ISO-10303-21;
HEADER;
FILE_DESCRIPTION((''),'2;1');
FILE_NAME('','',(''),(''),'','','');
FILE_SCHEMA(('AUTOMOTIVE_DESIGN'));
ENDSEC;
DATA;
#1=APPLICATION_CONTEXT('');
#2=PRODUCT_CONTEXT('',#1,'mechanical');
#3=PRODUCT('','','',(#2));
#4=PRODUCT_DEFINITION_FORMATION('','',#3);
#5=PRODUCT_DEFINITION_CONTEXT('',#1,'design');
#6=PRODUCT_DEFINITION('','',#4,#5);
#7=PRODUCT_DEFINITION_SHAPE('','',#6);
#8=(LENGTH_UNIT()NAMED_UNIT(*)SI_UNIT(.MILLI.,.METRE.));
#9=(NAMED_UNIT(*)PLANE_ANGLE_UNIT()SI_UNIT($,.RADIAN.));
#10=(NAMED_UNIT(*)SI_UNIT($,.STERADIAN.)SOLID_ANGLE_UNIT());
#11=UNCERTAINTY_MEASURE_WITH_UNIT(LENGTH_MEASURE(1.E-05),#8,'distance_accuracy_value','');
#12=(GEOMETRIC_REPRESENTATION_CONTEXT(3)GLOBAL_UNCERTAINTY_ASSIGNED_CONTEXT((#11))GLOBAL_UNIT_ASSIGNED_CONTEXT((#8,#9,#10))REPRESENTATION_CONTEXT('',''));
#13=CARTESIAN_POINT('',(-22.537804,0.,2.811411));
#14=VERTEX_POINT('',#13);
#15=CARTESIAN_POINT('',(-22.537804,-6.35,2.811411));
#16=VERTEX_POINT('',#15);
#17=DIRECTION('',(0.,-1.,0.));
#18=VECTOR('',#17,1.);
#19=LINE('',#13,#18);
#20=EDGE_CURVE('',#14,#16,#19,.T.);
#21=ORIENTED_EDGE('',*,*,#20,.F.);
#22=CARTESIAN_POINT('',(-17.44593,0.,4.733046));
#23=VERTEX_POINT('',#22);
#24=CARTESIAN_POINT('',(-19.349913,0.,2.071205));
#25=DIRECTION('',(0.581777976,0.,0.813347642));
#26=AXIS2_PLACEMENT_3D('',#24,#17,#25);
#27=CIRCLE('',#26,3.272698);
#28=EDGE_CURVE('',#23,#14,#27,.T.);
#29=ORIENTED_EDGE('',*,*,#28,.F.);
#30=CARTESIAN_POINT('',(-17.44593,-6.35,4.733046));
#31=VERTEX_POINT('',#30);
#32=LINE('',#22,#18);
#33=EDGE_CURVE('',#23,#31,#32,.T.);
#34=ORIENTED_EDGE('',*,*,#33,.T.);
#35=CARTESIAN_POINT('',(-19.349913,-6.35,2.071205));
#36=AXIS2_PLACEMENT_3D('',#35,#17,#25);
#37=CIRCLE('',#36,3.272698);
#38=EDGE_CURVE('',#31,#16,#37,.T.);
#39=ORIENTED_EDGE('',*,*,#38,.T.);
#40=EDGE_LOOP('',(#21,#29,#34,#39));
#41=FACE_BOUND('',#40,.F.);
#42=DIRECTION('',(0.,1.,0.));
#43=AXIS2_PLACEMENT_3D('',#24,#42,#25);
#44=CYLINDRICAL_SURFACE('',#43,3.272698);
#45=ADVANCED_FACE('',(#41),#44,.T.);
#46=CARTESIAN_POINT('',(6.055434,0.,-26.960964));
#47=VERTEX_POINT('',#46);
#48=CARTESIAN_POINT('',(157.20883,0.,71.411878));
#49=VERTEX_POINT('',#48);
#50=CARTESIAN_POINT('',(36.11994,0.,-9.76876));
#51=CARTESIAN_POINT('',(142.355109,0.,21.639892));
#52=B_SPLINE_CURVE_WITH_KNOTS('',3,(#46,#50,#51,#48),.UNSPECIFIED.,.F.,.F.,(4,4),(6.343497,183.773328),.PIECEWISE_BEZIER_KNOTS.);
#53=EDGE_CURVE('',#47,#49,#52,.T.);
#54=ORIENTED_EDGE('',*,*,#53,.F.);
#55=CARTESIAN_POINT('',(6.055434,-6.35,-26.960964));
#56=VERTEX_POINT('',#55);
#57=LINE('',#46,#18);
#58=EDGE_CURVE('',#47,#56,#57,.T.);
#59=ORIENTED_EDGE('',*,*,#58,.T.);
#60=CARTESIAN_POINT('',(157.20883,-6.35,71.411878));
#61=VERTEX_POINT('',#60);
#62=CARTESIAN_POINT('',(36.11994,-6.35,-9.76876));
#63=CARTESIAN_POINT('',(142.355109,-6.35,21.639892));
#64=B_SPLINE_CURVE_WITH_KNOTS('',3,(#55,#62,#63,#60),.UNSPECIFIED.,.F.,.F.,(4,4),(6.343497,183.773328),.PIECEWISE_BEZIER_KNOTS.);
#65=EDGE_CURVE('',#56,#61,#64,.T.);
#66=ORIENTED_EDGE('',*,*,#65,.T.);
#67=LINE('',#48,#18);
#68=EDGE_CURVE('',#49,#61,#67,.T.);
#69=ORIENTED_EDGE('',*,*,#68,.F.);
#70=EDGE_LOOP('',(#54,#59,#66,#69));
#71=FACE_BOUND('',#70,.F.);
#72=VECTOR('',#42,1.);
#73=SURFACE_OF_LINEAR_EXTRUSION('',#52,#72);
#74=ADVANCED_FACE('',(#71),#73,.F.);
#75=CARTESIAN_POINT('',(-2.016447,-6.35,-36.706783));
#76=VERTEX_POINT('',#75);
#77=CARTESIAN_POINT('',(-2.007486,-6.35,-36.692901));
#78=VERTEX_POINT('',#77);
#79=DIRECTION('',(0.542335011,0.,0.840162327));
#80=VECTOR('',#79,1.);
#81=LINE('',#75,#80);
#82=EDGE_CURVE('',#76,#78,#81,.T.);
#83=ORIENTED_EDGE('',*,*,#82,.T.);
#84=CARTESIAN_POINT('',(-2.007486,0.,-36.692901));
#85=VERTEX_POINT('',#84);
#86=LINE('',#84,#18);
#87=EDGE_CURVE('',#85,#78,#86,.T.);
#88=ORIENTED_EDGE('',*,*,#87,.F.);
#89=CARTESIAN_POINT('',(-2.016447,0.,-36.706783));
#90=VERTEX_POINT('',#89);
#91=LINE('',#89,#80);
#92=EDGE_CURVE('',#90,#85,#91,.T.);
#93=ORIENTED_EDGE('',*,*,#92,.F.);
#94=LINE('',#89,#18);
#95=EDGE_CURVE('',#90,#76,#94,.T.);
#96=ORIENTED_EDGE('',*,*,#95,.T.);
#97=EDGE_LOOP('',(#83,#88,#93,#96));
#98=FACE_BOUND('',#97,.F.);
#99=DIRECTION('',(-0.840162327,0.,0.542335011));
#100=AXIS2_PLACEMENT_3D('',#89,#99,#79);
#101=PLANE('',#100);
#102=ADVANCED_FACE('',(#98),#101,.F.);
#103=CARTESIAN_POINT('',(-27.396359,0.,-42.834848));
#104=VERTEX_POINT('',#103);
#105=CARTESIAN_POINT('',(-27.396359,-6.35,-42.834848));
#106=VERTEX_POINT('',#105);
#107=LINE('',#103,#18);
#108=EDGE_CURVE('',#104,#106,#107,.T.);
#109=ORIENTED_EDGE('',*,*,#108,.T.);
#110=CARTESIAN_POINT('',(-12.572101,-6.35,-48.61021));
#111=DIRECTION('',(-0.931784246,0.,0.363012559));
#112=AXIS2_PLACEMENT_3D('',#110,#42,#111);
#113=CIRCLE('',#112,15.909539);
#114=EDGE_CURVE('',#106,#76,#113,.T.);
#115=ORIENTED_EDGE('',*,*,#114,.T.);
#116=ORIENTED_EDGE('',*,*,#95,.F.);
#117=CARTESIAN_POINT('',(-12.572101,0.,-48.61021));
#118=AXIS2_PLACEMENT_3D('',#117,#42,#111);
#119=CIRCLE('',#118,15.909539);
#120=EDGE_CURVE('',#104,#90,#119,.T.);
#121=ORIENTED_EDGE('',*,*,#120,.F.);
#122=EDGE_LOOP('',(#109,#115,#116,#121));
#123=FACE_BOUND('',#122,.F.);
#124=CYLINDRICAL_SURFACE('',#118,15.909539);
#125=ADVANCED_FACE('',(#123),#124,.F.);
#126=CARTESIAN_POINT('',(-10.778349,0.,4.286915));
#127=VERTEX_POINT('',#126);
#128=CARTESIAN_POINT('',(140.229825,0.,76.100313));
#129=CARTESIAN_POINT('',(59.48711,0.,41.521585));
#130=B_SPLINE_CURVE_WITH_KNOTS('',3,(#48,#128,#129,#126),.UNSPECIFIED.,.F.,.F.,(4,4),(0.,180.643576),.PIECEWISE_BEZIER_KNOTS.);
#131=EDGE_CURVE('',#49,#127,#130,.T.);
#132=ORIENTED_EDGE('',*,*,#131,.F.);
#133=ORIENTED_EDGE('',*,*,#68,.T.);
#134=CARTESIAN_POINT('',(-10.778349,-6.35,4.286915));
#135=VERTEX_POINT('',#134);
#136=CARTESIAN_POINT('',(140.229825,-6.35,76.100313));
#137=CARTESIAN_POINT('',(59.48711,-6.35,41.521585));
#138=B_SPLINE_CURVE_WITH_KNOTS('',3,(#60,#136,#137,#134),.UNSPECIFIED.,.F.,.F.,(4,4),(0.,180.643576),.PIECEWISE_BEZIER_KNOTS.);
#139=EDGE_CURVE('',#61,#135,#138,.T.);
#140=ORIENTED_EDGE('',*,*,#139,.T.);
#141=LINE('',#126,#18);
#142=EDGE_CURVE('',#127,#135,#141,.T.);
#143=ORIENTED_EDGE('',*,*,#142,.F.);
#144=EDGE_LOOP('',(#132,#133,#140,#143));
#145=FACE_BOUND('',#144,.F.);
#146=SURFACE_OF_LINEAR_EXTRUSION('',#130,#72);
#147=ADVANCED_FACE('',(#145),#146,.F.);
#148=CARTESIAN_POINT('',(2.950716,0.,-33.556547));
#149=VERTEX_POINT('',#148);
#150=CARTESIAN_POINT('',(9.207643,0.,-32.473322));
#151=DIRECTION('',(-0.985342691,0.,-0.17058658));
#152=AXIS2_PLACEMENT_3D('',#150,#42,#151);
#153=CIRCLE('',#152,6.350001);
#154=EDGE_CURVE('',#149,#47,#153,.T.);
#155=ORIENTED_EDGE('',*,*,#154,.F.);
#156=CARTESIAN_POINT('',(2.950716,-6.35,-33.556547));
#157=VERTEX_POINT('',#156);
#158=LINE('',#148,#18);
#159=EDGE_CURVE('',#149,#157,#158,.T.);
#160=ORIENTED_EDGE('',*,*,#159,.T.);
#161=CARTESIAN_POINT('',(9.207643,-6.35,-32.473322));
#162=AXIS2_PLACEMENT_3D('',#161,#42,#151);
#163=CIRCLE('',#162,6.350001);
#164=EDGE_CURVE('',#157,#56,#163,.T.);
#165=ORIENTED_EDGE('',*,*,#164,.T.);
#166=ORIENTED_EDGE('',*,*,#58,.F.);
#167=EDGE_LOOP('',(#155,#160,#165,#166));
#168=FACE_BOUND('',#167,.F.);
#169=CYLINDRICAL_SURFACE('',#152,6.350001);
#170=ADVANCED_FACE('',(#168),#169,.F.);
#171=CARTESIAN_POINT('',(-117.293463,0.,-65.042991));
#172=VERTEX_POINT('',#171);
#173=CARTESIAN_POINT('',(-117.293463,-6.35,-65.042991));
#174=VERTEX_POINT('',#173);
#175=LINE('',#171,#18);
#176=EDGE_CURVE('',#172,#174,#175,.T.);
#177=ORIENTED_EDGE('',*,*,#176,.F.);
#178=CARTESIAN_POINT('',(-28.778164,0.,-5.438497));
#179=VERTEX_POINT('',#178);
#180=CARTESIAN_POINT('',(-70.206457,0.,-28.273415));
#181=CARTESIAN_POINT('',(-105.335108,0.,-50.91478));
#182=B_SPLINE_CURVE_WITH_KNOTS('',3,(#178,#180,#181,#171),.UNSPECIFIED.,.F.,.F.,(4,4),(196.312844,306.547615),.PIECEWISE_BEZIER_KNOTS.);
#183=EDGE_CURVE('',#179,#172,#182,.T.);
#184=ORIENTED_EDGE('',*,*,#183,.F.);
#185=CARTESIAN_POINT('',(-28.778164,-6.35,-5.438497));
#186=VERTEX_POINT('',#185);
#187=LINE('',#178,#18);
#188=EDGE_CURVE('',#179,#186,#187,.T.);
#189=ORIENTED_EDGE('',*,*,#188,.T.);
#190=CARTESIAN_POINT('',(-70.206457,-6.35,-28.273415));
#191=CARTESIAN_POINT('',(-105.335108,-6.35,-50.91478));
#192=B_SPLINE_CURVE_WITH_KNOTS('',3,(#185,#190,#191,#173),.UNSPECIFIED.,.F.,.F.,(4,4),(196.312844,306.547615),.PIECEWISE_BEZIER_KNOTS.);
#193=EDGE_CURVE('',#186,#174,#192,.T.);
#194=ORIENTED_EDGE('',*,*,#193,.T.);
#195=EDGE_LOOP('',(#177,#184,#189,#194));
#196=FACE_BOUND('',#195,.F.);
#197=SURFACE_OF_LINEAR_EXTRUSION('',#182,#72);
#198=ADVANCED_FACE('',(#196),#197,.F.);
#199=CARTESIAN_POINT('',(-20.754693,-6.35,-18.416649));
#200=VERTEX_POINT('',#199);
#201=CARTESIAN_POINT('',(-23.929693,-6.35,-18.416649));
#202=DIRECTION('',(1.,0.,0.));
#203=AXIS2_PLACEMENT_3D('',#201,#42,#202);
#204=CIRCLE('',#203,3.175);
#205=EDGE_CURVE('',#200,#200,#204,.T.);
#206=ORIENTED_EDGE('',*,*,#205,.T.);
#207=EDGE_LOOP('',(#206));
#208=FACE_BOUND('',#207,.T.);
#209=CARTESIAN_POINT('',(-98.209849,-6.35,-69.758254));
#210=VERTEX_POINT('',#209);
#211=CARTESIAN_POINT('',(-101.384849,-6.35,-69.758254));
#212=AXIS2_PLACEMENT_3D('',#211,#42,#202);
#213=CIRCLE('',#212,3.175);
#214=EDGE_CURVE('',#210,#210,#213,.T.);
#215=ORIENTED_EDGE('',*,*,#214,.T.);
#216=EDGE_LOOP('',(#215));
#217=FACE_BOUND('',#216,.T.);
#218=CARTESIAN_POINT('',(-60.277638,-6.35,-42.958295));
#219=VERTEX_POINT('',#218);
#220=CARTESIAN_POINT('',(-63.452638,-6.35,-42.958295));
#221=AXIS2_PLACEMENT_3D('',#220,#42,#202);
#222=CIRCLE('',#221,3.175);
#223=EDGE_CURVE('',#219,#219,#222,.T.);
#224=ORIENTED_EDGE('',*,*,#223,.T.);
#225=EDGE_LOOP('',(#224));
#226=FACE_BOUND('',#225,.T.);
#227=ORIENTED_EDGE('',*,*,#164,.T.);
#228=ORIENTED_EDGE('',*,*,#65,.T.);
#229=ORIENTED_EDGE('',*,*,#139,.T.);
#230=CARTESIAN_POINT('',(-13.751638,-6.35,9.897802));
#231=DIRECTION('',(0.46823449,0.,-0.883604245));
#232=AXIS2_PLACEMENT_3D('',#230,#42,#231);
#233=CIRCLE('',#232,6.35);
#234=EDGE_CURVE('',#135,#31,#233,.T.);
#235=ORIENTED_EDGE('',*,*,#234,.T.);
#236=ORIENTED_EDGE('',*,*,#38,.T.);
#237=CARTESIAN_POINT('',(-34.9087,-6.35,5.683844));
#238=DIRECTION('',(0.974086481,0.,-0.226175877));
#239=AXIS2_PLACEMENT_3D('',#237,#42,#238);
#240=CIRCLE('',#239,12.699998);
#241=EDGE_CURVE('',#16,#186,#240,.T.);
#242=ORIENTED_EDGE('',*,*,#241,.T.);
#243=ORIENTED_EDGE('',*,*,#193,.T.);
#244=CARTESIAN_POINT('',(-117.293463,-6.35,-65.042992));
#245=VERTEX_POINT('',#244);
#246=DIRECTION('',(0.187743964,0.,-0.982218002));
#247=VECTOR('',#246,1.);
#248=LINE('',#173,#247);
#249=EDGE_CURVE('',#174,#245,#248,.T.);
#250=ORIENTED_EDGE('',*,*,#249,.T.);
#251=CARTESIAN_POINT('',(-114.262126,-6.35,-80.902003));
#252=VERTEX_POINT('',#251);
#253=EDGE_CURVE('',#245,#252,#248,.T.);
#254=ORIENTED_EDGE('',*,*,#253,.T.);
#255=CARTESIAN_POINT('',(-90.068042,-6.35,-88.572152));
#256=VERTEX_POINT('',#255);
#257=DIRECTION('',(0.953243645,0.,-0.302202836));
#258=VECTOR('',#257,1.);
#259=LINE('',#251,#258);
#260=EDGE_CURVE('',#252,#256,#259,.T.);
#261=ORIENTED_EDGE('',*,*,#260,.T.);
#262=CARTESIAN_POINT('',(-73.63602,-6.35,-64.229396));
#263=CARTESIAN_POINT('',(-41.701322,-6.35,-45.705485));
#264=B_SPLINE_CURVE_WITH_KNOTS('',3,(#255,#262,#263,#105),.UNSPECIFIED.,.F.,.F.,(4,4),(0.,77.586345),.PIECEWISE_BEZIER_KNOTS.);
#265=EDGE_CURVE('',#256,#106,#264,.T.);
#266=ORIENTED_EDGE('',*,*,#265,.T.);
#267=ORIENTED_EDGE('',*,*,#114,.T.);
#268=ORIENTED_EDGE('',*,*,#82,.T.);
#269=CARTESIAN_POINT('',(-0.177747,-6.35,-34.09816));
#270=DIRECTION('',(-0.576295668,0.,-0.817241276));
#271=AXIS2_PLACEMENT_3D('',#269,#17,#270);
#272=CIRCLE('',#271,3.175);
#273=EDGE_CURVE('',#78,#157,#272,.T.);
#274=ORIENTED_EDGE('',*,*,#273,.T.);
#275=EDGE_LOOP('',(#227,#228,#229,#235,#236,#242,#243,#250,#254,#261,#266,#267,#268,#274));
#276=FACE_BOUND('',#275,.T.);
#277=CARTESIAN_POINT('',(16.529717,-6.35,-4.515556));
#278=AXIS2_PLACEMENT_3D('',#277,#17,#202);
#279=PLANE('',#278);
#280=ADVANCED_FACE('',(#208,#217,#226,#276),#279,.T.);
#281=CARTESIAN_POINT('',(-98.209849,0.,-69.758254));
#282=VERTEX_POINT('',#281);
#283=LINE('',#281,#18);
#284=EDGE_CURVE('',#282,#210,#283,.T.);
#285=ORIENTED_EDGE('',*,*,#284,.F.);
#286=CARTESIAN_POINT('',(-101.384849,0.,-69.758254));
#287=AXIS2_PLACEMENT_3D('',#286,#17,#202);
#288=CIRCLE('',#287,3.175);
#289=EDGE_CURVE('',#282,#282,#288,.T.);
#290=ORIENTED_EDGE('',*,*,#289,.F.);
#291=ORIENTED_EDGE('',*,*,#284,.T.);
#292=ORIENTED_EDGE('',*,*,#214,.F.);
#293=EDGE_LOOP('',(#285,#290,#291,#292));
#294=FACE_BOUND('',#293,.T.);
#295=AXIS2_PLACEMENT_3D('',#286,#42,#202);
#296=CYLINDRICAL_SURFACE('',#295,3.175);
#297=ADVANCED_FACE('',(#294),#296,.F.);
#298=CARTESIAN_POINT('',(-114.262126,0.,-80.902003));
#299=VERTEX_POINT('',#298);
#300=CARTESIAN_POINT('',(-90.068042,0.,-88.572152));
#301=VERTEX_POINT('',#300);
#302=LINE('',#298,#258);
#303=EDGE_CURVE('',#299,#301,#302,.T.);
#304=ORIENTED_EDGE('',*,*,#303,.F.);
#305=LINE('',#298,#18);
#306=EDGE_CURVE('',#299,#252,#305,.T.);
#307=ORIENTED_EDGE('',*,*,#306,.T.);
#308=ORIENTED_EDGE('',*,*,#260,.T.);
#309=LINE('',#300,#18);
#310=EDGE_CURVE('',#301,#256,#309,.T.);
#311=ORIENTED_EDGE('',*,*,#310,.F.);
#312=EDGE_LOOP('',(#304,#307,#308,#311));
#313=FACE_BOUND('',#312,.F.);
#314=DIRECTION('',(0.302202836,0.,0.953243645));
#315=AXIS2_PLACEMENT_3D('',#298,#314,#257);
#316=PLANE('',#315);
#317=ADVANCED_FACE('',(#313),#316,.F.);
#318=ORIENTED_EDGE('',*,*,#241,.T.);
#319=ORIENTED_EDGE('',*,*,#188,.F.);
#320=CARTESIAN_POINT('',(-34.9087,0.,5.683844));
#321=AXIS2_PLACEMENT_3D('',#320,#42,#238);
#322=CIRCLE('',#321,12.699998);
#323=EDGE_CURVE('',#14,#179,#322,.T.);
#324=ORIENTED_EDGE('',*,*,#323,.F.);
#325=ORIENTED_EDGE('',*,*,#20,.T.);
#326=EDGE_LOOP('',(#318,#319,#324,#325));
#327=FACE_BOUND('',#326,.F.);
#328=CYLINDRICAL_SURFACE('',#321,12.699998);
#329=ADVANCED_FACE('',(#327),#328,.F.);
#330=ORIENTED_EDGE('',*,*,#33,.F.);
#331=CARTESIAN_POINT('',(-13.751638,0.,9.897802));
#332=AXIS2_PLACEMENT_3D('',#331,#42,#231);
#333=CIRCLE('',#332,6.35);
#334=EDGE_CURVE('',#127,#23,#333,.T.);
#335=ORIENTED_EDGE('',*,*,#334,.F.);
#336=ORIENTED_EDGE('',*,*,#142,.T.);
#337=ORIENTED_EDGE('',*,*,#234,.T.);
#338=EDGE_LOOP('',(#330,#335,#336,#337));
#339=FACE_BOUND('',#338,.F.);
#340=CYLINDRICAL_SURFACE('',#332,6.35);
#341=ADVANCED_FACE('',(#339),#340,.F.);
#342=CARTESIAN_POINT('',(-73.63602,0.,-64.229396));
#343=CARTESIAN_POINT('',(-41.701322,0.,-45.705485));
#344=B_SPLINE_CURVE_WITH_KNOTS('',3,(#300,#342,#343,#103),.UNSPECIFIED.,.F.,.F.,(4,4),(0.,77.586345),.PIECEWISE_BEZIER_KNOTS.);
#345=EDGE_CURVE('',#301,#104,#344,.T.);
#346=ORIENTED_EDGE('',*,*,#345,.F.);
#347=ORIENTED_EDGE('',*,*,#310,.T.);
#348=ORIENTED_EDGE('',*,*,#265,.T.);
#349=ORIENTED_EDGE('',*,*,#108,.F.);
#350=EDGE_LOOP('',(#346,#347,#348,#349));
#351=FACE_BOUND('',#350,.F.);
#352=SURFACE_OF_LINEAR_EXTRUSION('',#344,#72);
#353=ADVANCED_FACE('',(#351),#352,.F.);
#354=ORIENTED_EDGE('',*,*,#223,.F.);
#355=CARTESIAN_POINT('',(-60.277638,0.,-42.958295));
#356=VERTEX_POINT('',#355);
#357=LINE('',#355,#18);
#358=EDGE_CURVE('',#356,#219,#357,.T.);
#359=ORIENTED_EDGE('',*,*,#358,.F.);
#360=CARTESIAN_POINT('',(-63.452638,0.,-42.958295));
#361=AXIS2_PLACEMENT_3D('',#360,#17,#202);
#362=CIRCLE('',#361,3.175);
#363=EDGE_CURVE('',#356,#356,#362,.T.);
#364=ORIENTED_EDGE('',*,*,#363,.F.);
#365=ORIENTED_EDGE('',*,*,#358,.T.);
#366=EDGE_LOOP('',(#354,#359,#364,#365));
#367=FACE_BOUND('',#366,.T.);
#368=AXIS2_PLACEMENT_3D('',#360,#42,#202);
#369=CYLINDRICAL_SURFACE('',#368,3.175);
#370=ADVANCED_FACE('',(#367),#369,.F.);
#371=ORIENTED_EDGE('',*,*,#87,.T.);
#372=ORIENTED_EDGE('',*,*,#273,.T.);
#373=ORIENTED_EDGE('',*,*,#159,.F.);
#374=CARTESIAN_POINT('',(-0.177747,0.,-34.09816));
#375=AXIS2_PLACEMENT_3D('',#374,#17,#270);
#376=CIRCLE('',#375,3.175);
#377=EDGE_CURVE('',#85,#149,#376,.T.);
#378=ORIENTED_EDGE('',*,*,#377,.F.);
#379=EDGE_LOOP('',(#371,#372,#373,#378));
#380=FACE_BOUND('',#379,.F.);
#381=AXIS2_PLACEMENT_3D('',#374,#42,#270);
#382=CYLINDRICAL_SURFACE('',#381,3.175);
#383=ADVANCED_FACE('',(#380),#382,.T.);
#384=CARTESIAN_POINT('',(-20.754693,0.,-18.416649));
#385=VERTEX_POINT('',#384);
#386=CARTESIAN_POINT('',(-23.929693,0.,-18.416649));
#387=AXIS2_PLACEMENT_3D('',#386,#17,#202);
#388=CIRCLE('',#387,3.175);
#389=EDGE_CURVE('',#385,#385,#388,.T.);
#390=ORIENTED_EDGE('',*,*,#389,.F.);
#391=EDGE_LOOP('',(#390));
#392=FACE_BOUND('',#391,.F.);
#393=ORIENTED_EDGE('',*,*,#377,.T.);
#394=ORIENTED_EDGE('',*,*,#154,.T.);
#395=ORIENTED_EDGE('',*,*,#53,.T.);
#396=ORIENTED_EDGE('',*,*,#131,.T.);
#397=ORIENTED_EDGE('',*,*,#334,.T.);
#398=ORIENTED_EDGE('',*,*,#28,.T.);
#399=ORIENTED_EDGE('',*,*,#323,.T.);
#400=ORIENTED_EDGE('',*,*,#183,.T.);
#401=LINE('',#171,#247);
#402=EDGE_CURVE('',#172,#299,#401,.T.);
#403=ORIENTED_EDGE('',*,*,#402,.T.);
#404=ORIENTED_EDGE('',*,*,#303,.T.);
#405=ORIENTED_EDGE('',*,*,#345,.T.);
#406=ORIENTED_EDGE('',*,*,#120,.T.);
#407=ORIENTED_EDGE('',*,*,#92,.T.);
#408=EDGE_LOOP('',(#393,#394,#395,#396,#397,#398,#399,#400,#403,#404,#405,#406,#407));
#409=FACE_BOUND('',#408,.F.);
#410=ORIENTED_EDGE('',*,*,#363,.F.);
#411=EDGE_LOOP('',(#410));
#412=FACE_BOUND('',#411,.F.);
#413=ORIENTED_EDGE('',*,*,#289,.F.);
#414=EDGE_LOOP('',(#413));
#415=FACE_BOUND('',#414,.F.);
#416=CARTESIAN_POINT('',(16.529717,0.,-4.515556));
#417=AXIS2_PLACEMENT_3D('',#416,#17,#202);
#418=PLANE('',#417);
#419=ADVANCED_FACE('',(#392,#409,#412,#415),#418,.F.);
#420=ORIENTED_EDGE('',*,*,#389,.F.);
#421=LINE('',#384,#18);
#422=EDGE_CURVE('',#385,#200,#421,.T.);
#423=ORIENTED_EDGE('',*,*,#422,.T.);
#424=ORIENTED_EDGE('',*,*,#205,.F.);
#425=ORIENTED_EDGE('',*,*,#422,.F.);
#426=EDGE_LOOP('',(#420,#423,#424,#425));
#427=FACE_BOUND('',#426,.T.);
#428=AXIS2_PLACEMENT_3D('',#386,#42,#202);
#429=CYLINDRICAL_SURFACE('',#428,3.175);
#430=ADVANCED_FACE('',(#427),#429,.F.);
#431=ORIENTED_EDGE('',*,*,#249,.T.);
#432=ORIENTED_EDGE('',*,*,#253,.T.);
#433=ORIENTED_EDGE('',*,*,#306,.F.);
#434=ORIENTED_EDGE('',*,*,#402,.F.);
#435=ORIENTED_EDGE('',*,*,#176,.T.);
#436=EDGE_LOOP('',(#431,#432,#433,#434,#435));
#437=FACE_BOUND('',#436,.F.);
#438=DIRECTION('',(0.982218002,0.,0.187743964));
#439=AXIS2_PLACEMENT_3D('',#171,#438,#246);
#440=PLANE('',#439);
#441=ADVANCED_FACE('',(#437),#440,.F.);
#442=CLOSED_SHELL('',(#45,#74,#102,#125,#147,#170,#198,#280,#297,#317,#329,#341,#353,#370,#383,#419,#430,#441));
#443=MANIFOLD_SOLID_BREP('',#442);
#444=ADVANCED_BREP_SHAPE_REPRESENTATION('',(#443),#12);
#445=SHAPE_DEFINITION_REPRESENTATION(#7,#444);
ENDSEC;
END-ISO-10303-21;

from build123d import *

# Parameters (mm, degrees)
F2_DEPTH = 6.35
F3_R     = 3.175
F4_DEPTH = 6.351


with BuildPart() as f2:
    # F1 (on Front) → F2 (new body)
    with BuildSketch(Plane.XZ):
        with BuildLine():
            add(Edge.make_bspline(
                [(6.055434, -26.960964), (36.11994, -9.76876), (142.355109, 21.639892), (157.20883, 71.411878)],
                knots=[6.343497, 6.343497, 6.343497, 6.343497, 183.773328, 183.773328, 183.773328, 183.773328], degree=3))
            add(Edge.make_bspline(
                [(157.20883, 71.411878), (140.229825, 76.100313), (59.48711, 41.521585), (-10.778349, 4.286915)],
                knots=[0, 0, 0, 0, 180.643576, 180.643576, 180.643576, 180.643576], degree=3))
            add(Edge.make_bspline(
                [(-10.778349, 4.286915), (-16.87327, 1.05713), (-22.889359, -2.192639), (-28.778164, -5.438497)],
                knots=[180.643576, 180.643576, 180.643576, 180.643576, 196.312844, 196.312844, 196.312844, 196.312844], degree=3))
            add(Edge.make_bspline(
                [(-28.778164, -5.438497), (-70.206457, -28.273415), (-105.335108, -50.91478), (-117.293463, -65.042991)],
                knots=[196.312844, 196.312844, 196.312844, 196.312844, 306.547615, 306.547615, 306.547615, 306.547615], degree=3))
            Line((-117.293463, -65.042991), (-114.262126, -80.902003))
            Line((-114.262126, -80.902003), (-90.068042, -88.572152))
            add(Edge.make_bspline(
                [(-90.068042, -88.572152), (-73.63602, -64.229396), (-41.701322, -45.705485), (-27.396359, -42.834848)],
                knots=[0, 0, 0, 0, 77.586345, 77.586345, 77.586345, 77.586345], degree=3))
            ThreePointArc((-27.396359, -42.834848), (-16.306206, -33.145092), (-2.016447, -36.706783))
            Line((-2.016447, -36.706783), (-2.007486, -36.692901))
            ThreePointArc((-2.007486, -36.692901), (1.519559, -36.7814), (2.950716, -33.556547))
            ThreePointArc((2.950716, -33.556547), (3.46235, -29.768859), (6.055434, -26.960964))
        make_face()
        with BuildLine():
            add(Edge.make_bspline(
                [(-10.778349, 4.286915), (-16.87327, 1.05713), (-22.889359, -2.192639), (-28.778164, -5.438497)],
                knots=[180.643576, 180.643576, 180.643576, 180.643576, 196.312844, 196.312844, 196.312844, 196.312844], degree=3))
            ThreePointArc((-10.778349, 4.286915), (-14.175572, 3.561969), (-17.44593, 4.733046))
            ThreePointArc((-17.44593, 4.733046), (-20.505455, 5.133112), (-22.537804, 2.811411))
            ThreePointArc((-22.537804, 2.811411), (-24.779979, -1.97768), (-28.778164, -5.438497))
        make_face()
    extrude(amount=F2_DEPTH)

    # F3 (on Front) + F2_face (on face) → F4 (cut, through all)
    with BuildSketch(Plane.XZ):
        with Locations((-101.384849, -69.758254)):
            Circle(F3_R)
        with Locations((-63.452638, -42.958295)):
            Circle(F3_R)
        with Locations((-23.929693, -18.416649)):
            Circle(F3_R)
    with BuildSketch(Plane(origin=(16.779727, -6.35, -3.819099), x_dir=(1, 0, 0), z_dir=(0, -1, 0))):
        with BuildLine():
            ThreePointArc((-13.829011, -29.737449), (-13.317377, -25.94976), (-10.724293, -23.141866))
            add(Edge.make_bspline(
                [(-10.724293, -23.141866), (19.340213, -5.949661), (125.575382, 25.458991), (140.429103, 75.230977)],
                knots=[6.343497, 6.343497, 6.343497, 6.343497, 183.773328, 183.773328, 183.773328, 183.773328], degree=3))
            add(Edge.make_bspline(
                [(140.429103, 75.230977), (123.450098, 79.919412), (42.707383, 45.340683), (-27.558076, 8.106014)],
                knots=[0, 0, 0, 0, 180.643576, 180.643576, 180.643576, 180.643576], degree=3))
            ThreePointArc((-27.558076, 8.106014), (-30.955298, 7.381068), (-34.225657, 8.552144))
            ThreePointArc((-34.225657, 8.552144), (-37.285181, 8.952211), (-39.317531, 6.630509))
            ThreePointArc((-39.317531, 6.630509), (-41.559706, 1.841419), (-45.55789, -1.619399))
            add(Edge.make_bspline(
                [(-45.55789, -1.619399), (-86.986184, -24.454316), (-122.114835, -47.095681), (-134.07319, -61.223893)],
                knots=[196.312844, 196.312844, 196.312844, 196.312844, 306.547615, 306.547615, 306.547615, 306.547615], degree=3))
            Line((-134.07319, -61.223893), (-131.041853, -77.082904))
            Line((-131.041853, -77.082904), (-106.847769, -84.753053))
            add(Edge.make_bspline(
                [(-106.847769, -84.753053), (-90.415747, -60.410298), (-58.481049, -41.886386), (-44.176085, -39.015749)],
                knots=[0, 0, 0, 0, 77.586345, 77.586345, 77.586345, 77.586345], degree=3))
            ThreePointArc((-44.176085, -39.015749), (-33.085933, -29.325993), (-18.796174, -32.887684))
            Line((-18.796174, -32.887684), (-18.787213, -32.873803))
            ThreePointArc((-18.787213, -32.873803), (-15.260168, -32.962301), (-13.829011, -29.737449))
        make_face()
    extrude(amount=F4_DEPTH, mode=Mode.SUBTRACT)


solid = f2.part
